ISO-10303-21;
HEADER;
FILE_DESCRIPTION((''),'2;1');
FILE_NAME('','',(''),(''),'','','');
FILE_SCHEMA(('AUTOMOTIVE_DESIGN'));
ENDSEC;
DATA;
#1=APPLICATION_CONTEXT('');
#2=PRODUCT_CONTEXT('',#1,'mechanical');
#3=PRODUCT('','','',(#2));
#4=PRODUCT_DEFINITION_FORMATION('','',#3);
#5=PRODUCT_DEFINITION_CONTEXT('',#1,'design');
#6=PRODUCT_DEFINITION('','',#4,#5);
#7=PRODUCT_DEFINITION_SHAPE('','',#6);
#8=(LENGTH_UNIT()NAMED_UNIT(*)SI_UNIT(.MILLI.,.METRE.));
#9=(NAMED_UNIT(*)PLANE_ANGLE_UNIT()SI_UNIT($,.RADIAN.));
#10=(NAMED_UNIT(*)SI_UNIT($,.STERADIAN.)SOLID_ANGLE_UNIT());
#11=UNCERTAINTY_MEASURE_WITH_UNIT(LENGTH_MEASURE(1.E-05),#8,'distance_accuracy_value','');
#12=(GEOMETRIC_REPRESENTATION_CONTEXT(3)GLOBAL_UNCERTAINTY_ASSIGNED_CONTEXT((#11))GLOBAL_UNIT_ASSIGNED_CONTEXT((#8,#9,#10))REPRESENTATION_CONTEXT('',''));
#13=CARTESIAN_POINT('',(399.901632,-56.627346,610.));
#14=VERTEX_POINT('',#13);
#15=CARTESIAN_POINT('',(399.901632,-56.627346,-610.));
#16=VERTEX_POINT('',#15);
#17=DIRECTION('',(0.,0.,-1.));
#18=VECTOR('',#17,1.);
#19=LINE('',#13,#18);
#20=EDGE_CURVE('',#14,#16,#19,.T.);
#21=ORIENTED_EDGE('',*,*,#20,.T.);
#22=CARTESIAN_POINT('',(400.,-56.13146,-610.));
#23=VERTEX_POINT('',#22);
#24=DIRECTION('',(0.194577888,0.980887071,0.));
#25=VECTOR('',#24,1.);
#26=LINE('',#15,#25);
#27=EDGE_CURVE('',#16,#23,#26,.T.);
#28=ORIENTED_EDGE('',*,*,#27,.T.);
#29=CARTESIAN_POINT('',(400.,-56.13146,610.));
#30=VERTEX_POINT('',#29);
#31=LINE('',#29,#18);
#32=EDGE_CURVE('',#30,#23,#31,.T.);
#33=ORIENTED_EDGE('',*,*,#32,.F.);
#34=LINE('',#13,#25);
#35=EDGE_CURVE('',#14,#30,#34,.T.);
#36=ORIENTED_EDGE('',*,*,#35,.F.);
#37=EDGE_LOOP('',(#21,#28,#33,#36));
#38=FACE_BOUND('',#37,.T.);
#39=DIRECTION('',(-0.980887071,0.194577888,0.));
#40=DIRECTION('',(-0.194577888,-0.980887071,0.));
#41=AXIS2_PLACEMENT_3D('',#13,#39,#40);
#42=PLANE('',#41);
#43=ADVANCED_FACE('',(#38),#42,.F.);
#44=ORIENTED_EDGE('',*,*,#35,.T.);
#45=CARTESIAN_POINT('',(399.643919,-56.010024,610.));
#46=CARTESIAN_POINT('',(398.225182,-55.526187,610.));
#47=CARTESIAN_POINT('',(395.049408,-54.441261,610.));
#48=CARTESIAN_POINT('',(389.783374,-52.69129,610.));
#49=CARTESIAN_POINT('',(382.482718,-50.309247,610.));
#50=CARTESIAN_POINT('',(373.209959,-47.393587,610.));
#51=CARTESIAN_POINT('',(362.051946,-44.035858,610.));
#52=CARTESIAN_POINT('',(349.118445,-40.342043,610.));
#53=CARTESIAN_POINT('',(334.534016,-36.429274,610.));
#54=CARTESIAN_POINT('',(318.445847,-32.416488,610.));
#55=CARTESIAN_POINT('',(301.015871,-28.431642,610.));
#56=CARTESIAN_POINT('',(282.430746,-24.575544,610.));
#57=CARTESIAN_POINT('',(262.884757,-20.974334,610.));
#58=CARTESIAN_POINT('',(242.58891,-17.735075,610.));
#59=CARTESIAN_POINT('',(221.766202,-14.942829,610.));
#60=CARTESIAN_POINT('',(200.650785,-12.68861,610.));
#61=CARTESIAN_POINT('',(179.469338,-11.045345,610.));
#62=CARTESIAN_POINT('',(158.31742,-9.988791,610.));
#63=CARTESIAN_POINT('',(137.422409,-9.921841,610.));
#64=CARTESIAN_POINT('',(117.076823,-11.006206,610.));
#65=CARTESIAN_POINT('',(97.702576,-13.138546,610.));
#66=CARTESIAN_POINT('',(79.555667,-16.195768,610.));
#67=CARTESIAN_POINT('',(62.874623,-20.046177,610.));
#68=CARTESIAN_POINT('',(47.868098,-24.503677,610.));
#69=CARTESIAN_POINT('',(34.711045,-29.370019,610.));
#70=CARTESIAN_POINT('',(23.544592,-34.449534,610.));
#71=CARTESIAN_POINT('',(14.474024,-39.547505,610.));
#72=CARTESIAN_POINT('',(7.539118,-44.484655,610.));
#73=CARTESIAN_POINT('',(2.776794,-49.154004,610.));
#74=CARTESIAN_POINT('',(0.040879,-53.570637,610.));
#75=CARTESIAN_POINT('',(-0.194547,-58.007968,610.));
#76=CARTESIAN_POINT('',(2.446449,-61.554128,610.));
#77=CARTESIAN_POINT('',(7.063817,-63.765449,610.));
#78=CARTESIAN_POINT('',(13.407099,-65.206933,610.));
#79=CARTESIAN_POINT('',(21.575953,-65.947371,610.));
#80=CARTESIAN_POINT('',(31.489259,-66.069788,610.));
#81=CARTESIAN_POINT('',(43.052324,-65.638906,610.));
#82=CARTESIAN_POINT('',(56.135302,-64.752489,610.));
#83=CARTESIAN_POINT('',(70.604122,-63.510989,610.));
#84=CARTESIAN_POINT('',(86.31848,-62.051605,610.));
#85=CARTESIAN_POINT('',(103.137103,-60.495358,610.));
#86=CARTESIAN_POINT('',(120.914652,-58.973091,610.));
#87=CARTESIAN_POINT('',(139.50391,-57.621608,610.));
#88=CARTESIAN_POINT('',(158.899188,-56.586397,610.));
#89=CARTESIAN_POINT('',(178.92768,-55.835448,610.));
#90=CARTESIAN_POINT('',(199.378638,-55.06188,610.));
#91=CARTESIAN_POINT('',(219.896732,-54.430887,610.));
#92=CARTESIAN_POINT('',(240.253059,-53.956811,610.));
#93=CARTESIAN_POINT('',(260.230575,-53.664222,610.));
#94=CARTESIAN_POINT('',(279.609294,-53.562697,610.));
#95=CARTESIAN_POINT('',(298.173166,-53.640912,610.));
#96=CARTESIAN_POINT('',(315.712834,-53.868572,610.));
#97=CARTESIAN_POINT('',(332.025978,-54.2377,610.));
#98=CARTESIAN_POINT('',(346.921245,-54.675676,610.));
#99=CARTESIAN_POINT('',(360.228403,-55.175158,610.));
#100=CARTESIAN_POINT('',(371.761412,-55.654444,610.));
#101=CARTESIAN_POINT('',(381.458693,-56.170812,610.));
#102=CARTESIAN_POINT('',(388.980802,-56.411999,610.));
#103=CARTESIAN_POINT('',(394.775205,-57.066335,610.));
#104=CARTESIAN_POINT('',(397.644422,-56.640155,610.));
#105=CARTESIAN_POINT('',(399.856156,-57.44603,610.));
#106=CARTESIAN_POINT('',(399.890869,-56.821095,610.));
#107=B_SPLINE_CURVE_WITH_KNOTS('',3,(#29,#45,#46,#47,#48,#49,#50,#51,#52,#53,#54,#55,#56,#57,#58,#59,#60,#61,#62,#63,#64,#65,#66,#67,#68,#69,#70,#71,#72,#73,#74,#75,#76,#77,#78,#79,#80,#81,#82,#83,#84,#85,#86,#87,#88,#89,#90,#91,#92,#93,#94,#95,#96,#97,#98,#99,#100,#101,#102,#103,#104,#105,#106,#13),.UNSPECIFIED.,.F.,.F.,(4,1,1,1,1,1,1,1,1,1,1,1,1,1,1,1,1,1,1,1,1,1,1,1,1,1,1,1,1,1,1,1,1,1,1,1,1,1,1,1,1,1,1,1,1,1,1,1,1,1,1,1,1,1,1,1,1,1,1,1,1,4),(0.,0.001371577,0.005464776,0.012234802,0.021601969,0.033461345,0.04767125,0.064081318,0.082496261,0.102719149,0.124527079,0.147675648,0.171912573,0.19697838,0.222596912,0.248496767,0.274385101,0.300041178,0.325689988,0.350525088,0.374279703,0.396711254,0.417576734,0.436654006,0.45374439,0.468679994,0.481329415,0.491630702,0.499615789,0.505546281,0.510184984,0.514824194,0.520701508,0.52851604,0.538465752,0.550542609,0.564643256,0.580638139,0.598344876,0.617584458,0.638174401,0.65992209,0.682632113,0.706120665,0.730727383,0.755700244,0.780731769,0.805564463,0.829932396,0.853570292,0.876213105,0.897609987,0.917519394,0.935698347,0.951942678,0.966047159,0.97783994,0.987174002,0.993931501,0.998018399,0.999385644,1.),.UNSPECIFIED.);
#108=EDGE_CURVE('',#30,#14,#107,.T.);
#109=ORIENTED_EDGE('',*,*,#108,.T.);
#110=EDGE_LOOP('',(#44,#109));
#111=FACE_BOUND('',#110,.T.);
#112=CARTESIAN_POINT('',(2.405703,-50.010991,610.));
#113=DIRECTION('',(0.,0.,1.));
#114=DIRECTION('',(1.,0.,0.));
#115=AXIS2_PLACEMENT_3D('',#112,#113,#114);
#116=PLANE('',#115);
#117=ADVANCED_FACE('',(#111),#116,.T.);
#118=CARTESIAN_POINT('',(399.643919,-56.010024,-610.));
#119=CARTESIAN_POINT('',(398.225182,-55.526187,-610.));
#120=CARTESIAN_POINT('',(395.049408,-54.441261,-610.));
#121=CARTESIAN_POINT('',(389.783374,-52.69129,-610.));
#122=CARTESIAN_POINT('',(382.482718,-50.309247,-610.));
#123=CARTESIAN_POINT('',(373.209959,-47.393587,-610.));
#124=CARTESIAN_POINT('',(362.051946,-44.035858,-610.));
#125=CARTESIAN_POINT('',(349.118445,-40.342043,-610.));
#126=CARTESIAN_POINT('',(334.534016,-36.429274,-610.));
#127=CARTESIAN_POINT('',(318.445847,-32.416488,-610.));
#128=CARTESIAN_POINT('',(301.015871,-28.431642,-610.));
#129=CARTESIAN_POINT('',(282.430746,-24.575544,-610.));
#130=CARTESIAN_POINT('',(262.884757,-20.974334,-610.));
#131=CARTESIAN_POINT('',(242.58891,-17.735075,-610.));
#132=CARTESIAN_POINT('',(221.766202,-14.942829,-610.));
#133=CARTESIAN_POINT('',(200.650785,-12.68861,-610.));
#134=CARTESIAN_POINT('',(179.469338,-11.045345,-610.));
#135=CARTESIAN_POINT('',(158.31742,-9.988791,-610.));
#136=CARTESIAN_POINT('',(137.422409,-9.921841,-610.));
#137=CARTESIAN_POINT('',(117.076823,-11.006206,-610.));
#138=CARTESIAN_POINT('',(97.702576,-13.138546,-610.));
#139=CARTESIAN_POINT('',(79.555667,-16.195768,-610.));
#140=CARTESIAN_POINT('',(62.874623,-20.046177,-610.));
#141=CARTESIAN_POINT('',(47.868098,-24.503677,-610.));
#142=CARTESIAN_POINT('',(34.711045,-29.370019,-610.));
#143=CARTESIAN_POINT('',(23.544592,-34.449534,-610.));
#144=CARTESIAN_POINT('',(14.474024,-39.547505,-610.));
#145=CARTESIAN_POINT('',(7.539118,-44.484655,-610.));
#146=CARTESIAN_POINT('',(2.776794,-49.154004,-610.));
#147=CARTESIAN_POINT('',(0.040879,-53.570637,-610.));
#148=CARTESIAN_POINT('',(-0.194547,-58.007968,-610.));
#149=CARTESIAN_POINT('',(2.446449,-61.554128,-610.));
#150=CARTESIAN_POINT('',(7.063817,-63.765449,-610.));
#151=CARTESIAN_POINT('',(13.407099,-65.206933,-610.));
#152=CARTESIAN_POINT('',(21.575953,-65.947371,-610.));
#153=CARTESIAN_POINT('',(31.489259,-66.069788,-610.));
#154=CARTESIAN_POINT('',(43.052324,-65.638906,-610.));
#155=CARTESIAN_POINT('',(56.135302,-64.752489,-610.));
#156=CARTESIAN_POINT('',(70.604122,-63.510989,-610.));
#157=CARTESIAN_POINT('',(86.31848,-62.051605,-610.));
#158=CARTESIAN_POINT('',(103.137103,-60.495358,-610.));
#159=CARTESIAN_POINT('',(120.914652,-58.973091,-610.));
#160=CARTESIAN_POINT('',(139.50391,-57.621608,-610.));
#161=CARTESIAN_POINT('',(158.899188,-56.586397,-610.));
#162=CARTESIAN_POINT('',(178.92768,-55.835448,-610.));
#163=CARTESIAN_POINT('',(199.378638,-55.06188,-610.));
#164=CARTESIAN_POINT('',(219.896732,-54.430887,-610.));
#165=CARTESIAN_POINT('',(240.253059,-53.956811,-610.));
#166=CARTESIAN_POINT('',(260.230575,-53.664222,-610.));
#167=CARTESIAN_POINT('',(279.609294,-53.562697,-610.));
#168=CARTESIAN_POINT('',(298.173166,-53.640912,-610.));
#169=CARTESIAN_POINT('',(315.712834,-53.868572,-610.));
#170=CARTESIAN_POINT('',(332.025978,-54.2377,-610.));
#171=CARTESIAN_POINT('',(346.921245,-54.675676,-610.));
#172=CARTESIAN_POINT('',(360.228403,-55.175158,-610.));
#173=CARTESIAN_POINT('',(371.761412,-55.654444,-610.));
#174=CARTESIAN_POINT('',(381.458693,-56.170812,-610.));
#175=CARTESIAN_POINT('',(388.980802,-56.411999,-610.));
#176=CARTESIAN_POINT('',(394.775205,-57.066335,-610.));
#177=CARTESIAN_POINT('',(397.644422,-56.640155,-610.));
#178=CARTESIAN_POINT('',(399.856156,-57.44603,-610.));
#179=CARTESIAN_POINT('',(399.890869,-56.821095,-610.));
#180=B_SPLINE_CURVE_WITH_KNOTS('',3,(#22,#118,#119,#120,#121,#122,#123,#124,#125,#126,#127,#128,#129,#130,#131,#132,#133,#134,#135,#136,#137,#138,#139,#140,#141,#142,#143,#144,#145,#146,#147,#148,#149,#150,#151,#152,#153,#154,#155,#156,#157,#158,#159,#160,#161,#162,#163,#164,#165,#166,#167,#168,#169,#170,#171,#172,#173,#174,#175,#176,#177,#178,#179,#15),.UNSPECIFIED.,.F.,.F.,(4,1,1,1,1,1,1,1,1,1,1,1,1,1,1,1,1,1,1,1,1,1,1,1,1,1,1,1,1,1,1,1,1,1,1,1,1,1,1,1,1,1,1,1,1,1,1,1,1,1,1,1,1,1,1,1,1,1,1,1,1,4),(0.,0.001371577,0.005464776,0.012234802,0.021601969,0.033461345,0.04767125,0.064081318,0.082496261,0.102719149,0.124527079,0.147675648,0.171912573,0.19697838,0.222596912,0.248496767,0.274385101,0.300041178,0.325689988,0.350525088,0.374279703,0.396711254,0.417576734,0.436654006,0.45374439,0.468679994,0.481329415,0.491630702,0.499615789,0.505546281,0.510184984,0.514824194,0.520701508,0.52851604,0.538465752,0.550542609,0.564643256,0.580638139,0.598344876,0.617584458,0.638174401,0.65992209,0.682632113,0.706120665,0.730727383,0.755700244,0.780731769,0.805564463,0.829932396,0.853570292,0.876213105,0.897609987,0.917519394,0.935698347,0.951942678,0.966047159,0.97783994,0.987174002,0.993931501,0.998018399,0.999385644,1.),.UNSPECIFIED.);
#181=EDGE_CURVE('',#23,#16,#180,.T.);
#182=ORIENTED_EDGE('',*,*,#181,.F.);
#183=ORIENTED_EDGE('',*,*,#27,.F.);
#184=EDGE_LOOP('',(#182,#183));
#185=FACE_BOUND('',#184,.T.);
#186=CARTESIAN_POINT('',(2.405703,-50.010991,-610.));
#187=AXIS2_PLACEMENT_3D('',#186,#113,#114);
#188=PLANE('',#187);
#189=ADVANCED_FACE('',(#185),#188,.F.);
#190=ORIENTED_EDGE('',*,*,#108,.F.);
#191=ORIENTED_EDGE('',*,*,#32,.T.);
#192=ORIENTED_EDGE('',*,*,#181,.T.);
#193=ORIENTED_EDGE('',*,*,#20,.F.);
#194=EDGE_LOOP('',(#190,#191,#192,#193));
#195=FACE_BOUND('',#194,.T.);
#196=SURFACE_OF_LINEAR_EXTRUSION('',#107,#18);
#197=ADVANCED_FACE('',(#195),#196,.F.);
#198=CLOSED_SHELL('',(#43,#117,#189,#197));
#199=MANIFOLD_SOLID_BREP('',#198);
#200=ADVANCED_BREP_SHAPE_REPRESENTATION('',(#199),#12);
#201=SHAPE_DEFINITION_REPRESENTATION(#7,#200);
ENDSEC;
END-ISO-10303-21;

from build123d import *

# Parameters (mm, degrees)
BOSS_EXTRUDE1_DEPTH = 610


with BuildPart() as part:
    # Sketch1 → Boss-Extrude1 (new, symmetric)
    with BuildSketch(Plane.XY):
        with BuildLine():
            Line((399.901631597, -56.627345623), (400, -56.131460424))
            add(Edge.make_bspline(
                [(400, -56.131460424), (399.643918554, -56.010024389), (398.225182447, -55.526186521), (395.049408189, -54.441261085), (389.783373866, -52.691290288), (382.482718123, -50.309246782), (373.209959493, -47.393587022), (362.051946032, -44.035857906), (349.11844487, -40.342042518), (334.534016292, -36.429273985), (318.445847385, -32.4164876), (301.0158708, -28.431641847), (282.430745598, -24.575544274), (262.884756986, -20.974334448), (242.588909845, -17.735074929), (221.766202389, -14.94282936), (200.65078527, -12.688610449), (179.469337759, -11.045344798), (158.317419739, -9.988790582), (137.422408652, -9.921840783), (117.076822685, -11.006206352), (97.702575667, -13.138546201), (79.555667165, -16.195767633), (62.874623266, -20.046177105), (47.868097651, -24.503676936), (34.711044711, -29.37001919), (23.544592011, -34.449534353), (14.474024333, -39.547505009), (7.539118331, -44.48465454), (2.776793903, -49.154004419), (0.040878501, -53.570636527), (-0.194546817, -58.00796822), (2.446449083, -61.554127886), (7.063816716, -63.765449129), (13.407098507, -65.206932663), (21.575953369, -65.947371208), (31.489258532, -66.069787665), (43.052323872, -65.638905727), (56.135301593, -64.752489091), (70.604122147, -63.510988991), (86.318479683, -62.051604877), (103.137102564, -60.495358435), (120.914651969, -58.973090556), (139.503910062, -57.621608066), (158.899188374, -56.586397016), (178.927680162, -55.835447525), (199.378638327, -55.061880353), (219.896731539, -54.430887033), (240.253059314, -53.956810924), (260.23057542, -53.66422182), (279.609294351, -53.562697469), (298.173165924, -53.640911787), (315.712834065, -53.868571706), (332.025978311, -54.237699809), (346.921244917, -54.675675756), (360.228403072, -55.17515821), (371.761412466, -55.65444425), (381.458692991, -56.170812242), (388.980801901, -56.411999414), (394.775205354, -57.066334595), (397.644422256, -56.640155398), (399.856156274, -57.446030239), (399.890869461, -56.82109456), (399.901631597, -56.627345623)],
                knots=[0, 0, 0, 0, 0.001371577, 0.005464776, 0.012234802, 0.021601969, 0.033461345, 0.04767125, 0.064081318, 0.082496261, 0.102719149, 0.124527079, 0.147675648, 0.171912573, 0.19697838, 0.222596912, 0.248496767, 0.274385101, 0.300041178, 0.325689988, 0.350525088, 0.374279703, 0.396711254, 0.417576734, 0.436654006, 0.45374439, 0.468679994, 0.481329415, 0.491630702, 0.499615789, 0.505546281, 0.510184984, 0.514824194, 0.520701508, 0.52851604, 0.538465752, 0.550542609, 0.564643256, 0.580638139, 0.598344876, 0.617584458, 0.638174401, 0.65992209, 0.682632113, 0.706120665, 0.730727383, 0.755700244, 0.780731769, 0.805564463, 0.829932396, 0.853570292, 0.876213105, 0.897609987, 0.917519394, 0.935698347, 0.951942678, 0.966047159, 0.97783994, 0.987174002, 0.993931501, 0.998018399, 0.999385644, 1, 1, 1, 1], degree=3))
        make_face()
    extrude(amount=BOSS_EXTRUDE1_DEPTH, both=True)


solid = part.part
